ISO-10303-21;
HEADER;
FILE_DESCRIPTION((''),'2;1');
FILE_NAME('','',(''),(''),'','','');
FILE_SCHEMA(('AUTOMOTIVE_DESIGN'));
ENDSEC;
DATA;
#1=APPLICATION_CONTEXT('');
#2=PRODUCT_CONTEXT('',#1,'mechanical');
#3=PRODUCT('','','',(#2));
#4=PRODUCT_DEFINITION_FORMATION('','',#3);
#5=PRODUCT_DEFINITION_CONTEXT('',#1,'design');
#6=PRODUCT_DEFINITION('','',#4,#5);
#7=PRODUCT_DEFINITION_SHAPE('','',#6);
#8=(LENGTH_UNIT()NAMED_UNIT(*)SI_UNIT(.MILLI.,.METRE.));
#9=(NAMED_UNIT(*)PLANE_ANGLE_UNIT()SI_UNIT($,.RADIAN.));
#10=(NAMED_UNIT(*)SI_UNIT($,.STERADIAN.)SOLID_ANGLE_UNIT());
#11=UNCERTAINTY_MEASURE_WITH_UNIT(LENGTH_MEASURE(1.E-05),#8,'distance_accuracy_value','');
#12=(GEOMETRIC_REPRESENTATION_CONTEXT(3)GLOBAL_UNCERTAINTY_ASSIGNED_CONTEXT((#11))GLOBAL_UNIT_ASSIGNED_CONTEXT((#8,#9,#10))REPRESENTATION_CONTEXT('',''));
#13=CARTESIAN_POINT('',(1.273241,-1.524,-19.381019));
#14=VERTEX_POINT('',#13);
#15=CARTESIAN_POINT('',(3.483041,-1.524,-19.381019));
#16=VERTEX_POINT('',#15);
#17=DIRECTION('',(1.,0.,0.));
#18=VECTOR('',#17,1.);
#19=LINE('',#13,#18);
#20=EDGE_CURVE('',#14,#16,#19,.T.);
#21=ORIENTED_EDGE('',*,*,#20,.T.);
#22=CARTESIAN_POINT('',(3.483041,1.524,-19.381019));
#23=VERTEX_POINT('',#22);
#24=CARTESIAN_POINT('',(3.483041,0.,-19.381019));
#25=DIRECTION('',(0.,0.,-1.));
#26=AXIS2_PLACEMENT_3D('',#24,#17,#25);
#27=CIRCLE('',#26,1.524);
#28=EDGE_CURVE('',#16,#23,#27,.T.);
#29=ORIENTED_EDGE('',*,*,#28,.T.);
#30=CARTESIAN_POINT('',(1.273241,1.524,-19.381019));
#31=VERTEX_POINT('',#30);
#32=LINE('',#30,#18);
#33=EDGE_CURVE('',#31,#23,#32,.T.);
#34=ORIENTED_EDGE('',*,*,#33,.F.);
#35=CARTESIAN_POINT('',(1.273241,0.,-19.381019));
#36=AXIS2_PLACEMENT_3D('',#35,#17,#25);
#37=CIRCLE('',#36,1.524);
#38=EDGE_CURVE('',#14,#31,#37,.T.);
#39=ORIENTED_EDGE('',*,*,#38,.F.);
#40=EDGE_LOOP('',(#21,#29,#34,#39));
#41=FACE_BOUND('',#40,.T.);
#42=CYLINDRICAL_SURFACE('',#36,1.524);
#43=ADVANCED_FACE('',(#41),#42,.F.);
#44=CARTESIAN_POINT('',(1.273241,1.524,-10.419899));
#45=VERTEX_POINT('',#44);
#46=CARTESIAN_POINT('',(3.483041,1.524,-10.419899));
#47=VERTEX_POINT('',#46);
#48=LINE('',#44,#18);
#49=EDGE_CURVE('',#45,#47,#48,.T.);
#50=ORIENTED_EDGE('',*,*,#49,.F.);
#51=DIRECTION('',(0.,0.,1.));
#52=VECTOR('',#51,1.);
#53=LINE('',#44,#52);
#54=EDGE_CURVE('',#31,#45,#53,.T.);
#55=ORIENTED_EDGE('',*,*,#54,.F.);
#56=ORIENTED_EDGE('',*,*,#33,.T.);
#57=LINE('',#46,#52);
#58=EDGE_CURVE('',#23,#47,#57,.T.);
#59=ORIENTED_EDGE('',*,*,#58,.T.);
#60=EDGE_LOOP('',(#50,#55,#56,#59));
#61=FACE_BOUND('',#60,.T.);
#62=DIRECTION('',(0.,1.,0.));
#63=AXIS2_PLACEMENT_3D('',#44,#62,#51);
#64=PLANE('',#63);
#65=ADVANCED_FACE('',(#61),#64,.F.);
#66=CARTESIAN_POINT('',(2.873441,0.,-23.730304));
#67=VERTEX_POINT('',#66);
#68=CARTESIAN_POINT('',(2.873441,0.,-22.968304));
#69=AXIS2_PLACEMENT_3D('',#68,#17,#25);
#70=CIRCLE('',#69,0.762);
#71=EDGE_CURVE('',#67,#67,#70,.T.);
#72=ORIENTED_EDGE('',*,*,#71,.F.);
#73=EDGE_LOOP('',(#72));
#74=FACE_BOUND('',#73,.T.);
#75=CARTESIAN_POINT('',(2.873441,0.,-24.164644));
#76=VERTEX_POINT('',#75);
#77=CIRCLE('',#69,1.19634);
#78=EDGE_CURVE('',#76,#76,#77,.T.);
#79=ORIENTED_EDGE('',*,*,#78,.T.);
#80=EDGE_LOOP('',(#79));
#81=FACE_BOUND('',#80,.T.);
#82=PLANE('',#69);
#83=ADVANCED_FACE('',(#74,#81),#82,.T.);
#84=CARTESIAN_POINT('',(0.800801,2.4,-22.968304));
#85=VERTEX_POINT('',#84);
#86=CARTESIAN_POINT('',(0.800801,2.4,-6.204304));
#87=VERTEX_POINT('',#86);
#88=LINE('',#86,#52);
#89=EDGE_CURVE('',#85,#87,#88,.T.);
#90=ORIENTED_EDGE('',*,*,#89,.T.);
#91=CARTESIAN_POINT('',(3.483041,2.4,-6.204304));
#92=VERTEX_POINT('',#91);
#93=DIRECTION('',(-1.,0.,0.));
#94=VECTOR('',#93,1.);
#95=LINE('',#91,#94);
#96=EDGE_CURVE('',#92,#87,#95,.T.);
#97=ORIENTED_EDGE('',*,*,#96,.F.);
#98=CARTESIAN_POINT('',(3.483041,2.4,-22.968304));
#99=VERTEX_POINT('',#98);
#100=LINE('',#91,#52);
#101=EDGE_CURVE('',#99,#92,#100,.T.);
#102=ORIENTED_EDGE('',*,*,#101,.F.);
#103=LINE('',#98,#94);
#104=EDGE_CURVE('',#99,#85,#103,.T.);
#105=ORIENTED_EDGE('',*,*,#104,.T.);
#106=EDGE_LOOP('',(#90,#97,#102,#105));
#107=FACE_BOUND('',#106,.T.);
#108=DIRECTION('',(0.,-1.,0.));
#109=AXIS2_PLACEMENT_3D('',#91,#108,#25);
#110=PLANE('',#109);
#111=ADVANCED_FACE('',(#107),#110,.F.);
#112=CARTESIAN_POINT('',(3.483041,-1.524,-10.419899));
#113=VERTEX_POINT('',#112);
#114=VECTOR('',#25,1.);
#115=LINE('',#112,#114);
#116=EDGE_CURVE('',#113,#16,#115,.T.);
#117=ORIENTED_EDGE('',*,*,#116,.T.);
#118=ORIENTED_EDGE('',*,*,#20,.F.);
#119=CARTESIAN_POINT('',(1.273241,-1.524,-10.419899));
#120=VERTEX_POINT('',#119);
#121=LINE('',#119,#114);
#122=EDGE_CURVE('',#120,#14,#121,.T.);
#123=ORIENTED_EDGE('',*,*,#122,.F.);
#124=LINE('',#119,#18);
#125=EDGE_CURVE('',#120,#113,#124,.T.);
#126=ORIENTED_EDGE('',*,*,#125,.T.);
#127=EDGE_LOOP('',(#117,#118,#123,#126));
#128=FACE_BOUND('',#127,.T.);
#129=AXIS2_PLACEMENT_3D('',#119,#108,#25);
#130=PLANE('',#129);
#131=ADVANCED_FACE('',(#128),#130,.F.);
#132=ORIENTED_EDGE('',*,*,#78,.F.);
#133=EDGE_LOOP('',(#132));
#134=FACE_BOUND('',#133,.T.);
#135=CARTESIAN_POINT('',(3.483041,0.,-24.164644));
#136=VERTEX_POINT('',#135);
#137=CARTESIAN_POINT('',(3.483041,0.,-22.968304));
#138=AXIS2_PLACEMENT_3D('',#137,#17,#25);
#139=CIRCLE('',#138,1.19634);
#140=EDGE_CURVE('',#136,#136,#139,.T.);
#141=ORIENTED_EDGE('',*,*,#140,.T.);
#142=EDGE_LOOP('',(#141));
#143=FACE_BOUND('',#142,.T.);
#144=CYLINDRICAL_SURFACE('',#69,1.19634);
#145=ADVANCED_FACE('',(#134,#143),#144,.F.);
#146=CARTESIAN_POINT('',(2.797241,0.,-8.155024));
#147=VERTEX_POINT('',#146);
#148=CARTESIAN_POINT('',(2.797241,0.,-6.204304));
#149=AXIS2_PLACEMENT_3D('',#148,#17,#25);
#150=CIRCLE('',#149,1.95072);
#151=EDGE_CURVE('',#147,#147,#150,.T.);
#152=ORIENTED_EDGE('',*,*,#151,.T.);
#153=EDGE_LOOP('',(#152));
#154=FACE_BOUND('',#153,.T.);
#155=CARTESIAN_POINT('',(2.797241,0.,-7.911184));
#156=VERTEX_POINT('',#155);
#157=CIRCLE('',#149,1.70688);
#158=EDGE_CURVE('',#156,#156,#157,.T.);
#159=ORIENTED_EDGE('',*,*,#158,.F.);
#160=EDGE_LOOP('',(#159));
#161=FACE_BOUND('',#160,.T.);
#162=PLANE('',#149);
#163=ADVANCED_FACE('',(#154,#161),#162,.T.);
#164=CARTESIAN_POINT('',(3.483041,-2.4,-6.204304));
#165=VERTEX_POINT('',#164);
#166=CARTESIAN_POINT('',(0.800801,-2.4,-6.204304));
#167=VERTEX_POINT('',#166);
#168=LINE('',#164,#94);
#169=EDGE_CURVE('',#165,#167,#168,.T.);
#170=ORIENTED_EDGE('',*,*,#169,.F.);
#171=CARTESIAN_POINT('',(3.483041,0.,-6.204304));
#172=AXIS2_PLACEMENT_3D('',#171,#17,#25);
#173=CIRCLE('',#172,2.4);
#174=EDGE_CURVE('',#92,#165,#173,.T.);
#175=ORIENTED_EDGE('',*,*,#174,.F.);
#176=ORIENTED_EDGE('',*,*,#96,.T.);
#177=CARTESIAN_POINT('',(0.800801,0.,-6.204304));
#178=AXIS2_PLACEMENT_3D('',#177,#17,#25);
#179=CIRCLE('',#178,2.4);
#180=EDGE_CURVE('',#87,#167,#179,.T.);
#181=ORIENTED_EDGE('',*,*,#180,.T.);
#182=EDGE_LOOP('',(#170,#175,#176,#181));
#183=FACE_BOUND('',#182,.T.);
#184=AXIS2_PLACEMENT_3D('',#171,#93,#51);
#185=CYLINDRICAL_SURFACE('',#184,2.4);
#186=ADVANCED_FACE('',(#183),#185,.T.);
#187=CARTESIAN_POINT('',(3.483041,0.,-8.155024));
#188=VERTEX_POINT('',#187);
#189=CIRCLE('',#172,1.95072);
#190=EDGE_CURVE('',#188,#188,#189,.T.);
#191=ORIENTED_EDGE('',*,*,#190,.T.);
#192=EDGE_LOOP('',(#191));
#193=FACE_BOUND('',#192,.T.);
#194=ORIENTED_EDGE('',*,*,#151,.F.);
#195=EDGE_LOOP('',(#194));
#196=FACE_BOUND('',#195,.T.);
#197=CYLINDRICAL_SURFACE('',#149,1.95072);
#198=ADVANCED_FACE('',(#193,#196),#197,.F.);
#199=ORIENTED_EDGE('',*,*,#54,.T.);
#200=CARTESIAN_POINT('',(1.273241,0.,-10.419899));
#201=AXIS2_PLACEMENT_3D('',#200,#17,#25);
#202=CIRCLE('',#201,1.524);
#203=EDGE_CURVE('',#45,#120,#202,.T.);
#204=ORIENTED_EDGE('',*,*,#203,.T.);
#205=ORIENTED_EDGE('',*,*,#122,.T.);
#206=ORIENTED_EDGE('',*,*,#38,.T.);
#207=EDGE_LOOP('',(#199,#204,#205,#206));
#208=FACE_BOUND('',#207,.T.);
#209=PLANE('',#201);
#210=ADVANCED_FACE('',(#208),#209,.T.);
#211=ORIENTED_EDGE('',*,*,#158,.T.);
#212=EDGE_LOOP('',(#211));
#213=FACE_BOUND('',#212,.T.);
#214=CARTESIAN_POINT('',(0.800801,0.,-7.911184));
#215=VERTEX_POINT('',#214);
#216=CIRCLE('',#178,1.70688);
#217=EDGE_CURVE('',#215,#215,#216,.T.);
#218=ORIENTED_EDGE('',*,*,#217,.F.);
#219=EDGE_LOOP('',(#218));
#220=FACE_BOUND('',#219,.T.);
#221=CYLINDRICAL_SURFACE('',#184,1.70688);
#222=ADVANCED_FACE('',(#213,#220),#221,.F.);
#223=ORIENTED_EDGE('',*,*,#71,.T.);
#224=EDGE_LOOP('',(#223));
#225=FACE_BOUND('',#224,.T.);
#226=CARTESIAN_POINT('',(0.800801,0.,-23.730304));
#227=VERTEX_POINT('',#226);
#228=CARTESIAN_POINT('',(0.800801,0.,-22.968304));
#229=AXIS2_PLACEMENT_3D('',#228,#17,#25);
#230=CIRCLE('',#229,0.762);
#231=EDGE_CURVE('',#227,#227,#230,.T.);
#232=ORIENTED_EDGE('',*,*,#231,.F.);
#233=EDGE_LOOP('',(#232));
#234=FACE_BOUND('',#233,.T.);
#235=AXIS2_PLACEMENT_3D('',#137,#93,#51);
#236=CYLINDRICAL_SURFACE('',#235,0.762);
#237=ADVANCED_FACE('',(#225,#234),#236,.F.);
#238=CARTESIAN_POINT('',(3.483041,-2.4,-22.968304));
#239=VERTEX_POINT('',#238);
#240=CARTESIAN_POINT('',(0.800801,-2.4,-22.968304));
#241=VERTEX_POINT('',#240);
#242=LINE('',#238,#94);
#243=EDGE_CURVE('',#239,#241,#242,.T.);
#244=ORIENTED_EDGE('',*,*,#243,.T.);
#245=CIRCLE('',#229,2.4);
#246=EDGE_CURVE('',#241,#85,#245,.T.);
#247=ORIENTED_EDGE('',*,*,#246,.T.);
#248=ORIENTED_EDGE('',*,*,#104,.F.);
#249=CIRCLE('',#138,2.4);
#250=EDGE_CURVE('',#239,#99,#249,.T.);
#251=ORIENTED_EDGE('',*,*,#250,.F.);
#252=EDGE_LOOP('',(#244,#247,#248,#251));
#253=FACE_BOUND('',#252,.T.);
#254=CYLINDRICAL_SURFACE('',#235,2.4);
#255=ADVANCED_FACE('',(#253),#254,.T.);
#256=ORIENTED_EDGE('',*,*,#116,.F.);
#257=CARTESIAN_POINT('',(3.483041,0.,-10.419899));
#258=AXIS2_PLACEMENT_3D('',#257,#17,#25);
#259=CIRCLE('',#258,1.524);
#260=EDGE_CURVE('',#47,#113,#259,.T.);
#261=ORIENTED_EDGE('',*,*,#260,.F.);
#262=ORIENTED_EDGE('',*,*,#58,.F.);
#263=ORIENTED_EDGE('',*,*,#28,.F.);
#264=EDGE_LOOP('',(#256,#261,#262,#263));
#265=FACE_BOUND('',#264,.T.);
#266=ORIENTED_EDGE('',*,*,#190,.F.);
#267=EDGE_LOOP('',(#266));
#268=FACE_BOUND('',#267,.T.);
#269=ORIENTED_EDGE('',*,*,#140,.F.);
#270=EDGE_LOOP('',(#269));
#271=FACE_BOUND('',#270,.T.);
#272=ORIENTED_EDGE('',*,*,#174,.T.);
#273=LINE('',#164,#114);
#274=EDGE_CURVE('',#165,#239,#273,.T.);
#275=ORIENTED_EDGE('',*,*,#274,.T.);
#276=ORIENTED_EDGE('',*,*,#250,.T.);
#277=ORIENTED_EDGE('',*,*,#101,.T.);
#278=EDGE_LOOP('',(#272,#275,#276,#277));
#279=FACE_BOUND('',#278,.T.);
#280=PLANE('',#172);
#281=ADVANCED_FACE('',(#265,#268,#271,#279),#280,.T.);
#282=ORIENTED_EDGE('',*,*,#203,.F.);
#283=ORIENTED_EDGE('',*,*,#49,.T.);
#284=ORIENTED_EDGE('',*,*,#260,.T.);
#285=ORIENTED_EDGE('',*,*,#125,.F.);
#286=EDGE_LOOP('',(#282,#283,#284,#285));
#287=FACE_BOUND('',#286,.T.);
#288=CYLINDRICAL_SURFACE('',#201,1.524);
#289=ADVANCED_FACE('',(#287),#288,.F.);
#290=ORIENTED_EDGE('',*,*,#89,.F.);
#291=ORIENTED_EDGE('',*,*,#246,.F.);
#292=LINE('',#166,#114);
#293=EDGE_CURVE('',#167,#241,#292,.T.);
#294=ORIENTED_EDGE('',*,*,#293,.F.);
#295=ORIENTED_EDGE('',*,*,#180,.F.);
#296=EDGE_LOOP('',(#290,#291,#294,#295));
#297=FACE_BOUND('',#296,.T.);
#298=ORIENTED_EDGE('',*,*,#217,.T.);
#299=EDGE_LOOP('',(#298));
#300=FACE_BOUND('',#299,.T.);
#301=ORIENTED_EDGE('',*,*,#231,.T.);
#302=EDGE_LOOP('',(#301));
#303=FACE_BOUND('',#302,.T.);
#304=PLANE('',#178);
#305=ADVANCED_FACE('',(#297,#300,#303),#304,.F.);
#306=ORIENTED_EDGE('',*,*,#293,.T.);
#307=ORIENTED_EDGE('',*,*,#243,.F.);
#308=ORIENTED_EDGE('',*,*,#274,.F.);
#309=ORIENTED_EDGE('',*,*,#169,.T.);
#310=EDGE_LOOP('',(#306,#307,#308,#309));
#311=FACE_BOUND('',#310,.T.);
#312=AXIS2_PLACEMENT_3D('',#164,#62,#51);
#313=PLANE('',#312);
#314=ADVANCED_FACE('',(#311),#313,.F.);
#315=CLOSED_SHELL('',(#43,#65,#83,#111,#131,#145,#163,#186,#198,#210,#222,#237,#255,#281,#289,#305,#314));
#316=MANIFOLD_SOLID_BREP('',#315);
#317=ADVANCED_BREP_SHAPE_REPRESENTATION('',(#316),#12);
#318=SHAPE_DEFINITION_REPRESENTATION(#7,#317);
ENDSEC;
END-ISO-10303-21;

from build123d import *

# Parameters (mm, degrees)
SKETCH1_R           = 2.8448
SKETCH1_R_2         = 1.27
BOSS_EXTRUDE1_DEPTH = 4.4704
SKETCH2_R           = 3.2512
CUT_EXTRUDE1_DEPTH  = 1.143
SKETCH3_R           = 1.9939
CUT_EXTRUDE2_DEPTH  = 1.016
CUT_EXTRUDE3_DEPTH  = 3.683
SCALE1_SCALE        = 0.6


with BuildPart() as part:
    # Sketch1 → Boss-Extrude1 (new body)
    with BuildSketch(Plane(origin=(0, 0, 0), x_dir=(0, 0, -1), z_dir=(1, 0, 0))):
        with BuildLine():
            Line((0, 4.000000128), (27.94, 4.000000128))
            ThreePointArc((27.94, 4.000000128), (31.940000128, 0), (27.94, -4.000000128))
            Line((27.94, -4.000000128), (0, -4.000000128))
            ThreePointArc((0, -4.000000128), (-4.000000128, 0), (0, 4.000000128))
        make_face()
        Circle(SKETCH1_R, mode=Mode.SUBTRACT)
        with Locations((27.94, 0)):
            Circle(SKETCH1_R_2, mode=Mode.SUBTRACT)
    extrude(amount=BOSS_EXTRUDE1_DEPTH)

    # Sketch2 → Cut-Extrude1 (cut)
    with BuildSketch(Plane(origin=(4.4704, 0, 0), x_dir=(0, 0, -1), z_dir=(1, 0, 0))):
        Circle(SKETCH2_R)
    extrude(amount=-CUT_EXTRUDE1_DEPTH, mode=Mode.SUBTRACT)

    # Sketch3 → Cut-Extrude2 (cut)
    with BuildSketch(Plane(origin=(4.4704, 0, 0), x_dir=(0, 0, -1), z_dir=(1, 0, 0))):
        with Locations((27.94, 0)):
            Circle(SKETCH3_R)
    extrude(amount=-CUT_EXTRUDE2_DEPTH, mode=Mode.SUBTRACT)

    # Sketch4 → Cut-Extrude3 (cut)
    with BuildSketch(Plane(origin=(4.4704, 0, 0), x_dir=(0, 0, -1), z_dir=(1, 0, 0))):
        with BuildLine():
            Line((7.0259921, 2.54), (21.9611921, 2.54))
            ThreePointArc((21.9611921, 2.54), (24.5011921, 0), (21.9611921, -2.54))
            Line((21.9611921, -2.54), (7.0259921, -2.54))
            ThreePointArc((7.0259921, -2.54), (4.4859921, 0), (7.0259921, 2.54))
        make_face()
    extrude(amount=-CUT_EXTRUDE3_DEPTH, mode=Mode.SUBTRACT)


with BuildPart() as part_1:
    # Scale1: scaled about (2.002001382, 0, -15.510759507)
    add(part.part.scale(SCALE1_SCALE).moved(Location((0.800800553, 0, -6.204303803))))


solid = part_1.part
